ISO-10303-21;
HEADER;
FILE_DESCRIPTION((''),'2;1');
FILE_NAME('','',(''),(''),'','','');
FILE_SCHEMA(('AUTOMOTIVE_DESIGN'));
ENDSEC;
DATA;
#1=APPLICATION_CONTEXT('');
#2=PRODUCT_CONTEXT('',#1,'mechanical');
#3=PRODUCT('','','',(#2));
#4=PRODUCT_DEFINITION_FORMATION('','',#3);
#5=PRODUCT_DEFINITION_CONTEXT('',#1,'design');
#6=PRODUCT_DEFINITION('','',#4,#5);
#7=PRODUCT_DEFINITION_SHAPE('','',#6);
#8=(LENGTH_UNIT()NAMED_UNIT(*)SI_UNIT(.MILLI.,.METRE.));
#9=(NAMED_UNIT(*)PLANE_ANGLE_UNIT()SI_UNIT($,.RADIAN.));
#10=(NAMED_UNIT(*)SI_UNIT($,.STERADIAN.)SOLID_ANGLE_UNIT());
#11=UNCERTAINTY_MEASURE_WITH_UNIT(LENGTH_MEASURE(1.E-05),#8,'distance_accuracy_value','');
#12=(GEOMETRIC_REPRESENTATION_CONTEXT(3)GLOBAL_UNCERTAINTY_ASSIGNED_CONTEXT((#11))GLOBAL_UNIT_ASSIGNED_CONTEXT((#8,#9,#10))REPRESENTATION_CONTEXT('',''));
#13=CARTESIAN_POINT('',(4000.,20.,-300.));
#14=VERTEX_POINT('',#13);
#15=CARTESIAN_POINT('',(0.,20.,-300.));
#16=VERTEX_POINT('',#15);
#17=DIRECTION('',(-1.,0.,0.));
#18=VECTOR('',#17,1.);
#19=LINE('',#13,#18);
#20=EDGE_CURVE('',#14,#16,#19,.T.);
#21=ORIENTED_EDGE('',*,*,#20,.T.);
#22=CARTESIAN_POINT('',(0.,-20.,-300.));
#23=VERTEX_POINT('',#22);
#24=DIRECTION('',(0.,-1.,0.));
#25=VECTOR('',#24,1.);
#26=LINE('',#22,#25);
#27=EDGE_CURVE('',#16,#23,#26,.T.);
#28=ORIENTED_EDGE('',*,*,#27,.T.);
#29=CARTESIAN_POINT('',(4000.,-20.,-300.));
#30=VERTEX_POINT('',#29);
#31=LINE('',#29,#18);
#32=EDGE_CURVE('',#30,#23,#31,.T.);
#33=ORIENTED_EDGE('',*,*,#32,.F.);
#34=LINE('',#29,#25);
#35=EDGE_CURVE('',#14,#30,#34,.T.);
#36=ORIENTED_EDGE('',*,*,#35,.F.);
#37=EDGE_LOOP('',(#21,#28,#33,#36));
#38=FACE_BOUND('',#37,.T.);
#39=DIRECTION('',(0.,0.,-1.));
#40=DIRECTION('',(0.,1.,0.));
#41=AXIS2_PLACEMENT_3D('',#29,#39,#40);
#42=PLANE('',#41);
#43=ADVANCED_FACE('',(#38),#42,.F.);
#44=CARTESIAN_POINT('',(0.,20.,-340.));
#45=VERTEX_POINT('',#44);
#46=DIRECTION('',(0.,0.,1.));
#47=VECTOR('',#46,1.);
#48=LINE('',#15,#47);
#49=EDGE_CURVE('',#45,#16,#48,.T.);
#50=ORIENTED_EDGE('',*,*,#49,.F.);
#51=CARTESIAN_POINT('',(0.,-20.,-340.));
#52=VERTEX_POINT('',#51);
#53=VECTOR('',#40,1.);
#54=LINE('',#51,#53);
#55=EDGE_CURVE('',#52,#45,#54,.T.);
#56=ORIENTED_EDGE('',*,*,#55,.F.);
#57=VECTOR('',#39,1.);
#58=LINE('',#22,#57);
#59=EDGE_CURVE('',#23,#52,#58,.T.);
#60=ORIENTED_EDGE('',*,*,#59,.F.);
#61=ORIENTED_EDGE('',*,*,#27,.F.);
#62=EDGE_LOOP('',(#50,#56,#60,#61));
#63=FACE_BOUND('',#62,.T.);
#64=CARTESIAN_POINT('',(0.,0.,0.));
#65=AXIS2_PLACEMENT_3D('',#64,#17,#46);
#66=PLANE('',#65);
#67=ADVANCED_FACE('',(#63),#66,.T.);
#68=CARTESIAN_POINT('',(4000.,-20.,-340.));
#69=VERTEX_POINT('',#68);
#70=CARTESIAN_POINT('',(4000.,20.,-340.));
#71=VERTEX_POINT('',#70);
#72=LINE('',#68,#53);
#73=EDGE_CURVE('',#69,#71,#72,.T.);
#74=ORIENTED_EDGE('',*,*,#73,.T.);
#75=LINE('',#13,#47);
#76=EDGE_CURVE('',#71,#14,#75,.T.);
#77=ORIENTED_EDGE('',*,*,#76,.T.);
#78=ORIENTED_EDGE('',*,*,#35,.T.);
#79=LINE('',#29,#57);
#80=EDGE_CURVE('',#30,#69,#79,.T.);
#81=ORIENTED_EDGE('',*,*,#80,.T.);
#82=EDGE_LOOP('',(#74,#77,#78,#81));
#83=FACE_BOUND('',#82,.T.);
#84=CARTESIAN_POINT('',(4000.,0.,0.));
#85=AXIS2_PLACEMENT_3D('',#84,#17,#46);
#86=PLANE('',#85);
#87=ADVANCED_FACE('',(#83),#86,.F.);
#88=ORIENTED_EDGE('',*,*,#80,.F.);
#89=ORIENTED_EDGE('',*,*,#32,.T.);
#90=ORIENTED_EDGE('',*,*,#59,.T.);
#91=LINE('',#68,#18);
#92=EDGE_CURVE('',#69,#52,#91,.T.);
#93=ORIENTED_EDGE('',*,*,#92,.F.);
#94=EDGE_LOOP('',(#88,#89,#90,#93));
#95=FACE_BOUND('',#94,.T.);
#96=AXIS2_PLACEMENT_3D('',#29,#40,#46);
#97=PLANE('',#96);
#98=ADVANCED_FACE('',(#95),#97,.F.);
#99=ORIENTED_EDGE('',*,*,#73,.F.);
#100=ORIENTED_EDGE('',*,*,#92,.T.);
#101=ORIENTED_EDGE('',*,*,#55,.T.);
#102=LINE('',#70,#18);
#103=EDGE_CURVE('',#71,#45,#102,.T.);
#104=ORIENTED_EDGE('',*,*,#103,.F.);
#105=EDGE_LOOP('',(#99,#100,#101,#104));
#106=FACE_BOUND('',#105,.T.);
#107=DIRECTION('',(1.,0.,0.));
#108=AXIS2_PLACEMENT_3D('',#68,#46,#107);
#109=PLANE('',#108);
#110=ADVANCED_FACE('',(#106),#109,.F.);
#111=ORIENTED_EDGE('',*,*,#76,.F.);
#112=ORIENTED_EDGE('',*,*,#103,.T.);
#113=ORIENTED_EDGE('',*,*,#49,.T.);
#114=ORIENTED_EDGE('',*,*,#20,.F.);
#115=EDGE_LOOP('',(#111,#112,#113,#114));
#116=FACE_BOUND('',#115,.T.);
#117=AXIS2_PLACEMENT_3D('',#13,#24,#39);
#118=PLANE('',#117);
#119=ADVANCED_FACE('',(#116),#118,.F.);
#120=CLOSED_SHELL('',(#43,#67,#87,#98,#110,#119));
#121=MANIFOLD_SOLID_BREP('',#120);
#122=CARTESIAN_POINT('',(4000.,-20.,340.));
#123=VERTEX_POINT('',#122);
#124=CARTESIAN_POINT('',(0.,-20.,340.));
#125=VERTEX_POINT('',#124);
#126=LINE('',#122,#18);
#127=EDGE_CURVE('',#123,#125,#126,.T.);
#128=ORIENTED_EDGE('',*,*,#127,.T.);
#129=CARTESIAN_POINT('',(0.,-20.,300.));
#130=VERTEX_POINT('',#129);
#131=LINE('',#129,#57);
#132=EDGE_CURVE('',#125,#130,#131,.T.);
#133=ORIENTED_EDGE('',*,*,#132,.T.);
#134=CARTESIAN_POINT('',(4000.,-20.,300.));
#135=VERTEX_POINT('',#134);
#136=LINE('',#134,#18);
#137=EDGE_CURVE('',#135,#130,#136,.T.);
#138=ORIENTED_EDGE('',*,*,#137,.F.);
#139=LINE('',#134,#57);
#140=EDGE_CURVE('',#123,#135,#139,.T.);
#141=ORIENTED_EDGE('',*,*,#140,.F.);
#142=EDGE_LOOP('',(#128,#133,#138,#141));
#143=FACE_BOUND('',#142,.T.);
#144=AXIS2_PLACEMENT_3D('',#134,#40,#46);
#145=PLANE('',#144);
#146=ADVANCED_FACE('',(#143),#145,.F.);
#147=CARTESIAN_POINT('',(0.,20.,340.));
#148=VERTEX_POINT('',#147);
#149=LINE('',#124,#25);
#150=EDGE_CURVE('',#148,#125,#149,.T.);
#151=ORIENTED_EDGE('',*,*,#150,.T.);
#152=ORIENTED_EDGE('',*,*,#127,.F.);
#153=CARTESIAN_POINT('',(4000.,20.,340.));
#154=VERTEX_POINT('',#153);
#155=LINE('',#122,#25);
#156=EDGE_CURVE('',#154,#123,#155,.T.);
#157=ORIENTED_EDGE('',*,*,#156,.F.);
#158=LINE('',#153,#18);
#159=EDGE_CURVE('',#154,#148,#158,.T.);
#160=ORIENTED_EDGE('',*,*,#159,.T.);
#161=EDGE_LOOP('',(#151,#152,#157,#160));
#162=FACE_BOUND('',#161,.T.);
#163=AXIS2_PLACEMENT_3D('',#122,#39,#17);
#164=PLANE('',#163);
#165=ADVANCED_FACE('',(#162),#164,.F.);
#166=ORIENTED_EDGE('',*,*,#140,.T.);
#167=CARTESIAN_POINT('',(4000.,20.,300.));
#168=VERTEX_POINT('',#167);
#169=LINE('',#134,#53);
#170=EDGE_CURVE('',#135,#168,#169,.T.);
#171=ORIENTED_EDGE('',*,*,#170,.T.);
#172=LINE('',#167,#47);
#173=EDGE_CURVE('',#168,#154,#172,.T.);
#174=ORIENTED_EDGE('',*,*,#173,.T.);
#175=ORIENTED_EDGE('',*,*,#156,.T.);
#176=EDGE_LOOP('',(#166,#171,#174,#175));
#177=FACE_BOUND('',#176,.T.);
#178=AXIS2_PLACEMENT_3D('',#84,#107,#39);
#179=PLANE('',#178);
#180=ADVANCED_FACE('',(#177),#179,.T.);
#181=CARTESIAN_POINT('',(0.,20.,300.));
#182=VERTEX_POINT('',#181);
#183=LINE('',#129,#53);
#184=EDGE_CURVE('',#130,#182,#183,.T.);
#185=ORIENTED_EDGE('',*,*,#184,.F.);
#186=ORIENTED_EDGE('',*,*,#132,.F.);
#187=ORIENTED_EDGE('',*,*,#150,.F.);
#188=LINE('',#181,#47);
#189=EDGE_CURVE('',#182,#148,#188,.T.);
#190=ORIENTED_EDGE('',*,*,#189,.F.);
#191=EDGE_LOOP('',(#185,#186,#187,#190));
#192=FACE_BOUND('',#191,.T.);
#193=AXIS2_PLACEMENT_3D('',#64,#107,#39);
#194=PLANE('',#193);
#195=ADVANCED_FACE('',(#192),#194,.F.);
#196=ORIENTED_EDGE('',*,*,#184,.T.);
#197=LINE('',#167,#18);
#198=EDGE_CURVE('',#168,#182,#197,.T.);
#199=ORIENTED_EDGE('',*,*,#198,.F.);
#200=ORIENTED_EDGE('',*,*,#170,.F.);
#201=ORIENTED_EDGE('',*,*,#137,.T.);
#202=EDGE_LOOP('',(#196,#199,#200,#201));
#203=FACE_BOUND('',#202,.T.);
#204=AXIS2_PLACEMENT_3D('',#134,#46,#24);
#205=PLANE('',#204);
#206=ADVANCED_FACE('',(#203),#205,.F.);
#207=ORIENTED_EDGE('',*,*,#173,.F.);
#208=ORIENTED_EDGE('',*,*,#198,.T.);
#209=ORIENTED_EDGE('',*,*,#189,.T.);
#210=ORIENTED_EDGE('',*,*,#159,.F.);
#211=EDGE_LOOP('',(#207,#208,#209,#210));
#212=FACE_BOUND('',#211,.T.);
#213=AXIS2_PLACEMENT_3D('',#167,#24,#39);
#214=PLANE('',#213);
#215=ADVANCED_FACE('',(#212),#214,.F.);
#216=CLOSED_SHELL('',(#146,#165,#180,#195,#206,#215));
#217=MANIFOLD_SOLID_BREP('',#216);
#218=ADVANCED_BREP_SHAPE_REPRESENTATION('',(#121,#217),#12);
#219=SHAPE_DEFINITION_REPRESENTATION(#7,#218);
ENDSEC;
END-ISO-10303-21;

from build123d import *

# Parameters (mm, degrees)
ESBO_O1_W                  = 40
ESBO_O1_H                  = 40
RESSALTO_EXTRUS_O1_DEPTH   = 4000
RESSALTO_EXTRUS_O1_2_DEPTH = 4000


with BuildPart() as part:
    # Esboço1 → Ressalto-extrusão1 (new body)
    with BuildSketch(Plane(origin=(0, 0, 0), x_dir=(0, 0, -1), z_dir=(1, 0, 0))):
        with Locations((320, 0)):
            Rectangle(ESBO_O1_W, ESBO_O1_H)
    extrude(amount=RESSALTO_EXTRUS_O1_DEPTH)


with BuildPart() as body_2:
    # Esboço1 → Ressalto-extrus_o1 2 (new body)
    with BuildSketch(Plane(origin=(0, 0, 0), x_dir=(0, 0, -1), z_dir=(1, 0, 0))):
        with Locations((-320, 0)):
            Rectangle(ESBO_O1_W, ESBO_O1_H)
    extrude(amount=RESSALTO_EXTRUS_O1_2_DEPTH)


solid = Compound([part.part, body_2.part])
